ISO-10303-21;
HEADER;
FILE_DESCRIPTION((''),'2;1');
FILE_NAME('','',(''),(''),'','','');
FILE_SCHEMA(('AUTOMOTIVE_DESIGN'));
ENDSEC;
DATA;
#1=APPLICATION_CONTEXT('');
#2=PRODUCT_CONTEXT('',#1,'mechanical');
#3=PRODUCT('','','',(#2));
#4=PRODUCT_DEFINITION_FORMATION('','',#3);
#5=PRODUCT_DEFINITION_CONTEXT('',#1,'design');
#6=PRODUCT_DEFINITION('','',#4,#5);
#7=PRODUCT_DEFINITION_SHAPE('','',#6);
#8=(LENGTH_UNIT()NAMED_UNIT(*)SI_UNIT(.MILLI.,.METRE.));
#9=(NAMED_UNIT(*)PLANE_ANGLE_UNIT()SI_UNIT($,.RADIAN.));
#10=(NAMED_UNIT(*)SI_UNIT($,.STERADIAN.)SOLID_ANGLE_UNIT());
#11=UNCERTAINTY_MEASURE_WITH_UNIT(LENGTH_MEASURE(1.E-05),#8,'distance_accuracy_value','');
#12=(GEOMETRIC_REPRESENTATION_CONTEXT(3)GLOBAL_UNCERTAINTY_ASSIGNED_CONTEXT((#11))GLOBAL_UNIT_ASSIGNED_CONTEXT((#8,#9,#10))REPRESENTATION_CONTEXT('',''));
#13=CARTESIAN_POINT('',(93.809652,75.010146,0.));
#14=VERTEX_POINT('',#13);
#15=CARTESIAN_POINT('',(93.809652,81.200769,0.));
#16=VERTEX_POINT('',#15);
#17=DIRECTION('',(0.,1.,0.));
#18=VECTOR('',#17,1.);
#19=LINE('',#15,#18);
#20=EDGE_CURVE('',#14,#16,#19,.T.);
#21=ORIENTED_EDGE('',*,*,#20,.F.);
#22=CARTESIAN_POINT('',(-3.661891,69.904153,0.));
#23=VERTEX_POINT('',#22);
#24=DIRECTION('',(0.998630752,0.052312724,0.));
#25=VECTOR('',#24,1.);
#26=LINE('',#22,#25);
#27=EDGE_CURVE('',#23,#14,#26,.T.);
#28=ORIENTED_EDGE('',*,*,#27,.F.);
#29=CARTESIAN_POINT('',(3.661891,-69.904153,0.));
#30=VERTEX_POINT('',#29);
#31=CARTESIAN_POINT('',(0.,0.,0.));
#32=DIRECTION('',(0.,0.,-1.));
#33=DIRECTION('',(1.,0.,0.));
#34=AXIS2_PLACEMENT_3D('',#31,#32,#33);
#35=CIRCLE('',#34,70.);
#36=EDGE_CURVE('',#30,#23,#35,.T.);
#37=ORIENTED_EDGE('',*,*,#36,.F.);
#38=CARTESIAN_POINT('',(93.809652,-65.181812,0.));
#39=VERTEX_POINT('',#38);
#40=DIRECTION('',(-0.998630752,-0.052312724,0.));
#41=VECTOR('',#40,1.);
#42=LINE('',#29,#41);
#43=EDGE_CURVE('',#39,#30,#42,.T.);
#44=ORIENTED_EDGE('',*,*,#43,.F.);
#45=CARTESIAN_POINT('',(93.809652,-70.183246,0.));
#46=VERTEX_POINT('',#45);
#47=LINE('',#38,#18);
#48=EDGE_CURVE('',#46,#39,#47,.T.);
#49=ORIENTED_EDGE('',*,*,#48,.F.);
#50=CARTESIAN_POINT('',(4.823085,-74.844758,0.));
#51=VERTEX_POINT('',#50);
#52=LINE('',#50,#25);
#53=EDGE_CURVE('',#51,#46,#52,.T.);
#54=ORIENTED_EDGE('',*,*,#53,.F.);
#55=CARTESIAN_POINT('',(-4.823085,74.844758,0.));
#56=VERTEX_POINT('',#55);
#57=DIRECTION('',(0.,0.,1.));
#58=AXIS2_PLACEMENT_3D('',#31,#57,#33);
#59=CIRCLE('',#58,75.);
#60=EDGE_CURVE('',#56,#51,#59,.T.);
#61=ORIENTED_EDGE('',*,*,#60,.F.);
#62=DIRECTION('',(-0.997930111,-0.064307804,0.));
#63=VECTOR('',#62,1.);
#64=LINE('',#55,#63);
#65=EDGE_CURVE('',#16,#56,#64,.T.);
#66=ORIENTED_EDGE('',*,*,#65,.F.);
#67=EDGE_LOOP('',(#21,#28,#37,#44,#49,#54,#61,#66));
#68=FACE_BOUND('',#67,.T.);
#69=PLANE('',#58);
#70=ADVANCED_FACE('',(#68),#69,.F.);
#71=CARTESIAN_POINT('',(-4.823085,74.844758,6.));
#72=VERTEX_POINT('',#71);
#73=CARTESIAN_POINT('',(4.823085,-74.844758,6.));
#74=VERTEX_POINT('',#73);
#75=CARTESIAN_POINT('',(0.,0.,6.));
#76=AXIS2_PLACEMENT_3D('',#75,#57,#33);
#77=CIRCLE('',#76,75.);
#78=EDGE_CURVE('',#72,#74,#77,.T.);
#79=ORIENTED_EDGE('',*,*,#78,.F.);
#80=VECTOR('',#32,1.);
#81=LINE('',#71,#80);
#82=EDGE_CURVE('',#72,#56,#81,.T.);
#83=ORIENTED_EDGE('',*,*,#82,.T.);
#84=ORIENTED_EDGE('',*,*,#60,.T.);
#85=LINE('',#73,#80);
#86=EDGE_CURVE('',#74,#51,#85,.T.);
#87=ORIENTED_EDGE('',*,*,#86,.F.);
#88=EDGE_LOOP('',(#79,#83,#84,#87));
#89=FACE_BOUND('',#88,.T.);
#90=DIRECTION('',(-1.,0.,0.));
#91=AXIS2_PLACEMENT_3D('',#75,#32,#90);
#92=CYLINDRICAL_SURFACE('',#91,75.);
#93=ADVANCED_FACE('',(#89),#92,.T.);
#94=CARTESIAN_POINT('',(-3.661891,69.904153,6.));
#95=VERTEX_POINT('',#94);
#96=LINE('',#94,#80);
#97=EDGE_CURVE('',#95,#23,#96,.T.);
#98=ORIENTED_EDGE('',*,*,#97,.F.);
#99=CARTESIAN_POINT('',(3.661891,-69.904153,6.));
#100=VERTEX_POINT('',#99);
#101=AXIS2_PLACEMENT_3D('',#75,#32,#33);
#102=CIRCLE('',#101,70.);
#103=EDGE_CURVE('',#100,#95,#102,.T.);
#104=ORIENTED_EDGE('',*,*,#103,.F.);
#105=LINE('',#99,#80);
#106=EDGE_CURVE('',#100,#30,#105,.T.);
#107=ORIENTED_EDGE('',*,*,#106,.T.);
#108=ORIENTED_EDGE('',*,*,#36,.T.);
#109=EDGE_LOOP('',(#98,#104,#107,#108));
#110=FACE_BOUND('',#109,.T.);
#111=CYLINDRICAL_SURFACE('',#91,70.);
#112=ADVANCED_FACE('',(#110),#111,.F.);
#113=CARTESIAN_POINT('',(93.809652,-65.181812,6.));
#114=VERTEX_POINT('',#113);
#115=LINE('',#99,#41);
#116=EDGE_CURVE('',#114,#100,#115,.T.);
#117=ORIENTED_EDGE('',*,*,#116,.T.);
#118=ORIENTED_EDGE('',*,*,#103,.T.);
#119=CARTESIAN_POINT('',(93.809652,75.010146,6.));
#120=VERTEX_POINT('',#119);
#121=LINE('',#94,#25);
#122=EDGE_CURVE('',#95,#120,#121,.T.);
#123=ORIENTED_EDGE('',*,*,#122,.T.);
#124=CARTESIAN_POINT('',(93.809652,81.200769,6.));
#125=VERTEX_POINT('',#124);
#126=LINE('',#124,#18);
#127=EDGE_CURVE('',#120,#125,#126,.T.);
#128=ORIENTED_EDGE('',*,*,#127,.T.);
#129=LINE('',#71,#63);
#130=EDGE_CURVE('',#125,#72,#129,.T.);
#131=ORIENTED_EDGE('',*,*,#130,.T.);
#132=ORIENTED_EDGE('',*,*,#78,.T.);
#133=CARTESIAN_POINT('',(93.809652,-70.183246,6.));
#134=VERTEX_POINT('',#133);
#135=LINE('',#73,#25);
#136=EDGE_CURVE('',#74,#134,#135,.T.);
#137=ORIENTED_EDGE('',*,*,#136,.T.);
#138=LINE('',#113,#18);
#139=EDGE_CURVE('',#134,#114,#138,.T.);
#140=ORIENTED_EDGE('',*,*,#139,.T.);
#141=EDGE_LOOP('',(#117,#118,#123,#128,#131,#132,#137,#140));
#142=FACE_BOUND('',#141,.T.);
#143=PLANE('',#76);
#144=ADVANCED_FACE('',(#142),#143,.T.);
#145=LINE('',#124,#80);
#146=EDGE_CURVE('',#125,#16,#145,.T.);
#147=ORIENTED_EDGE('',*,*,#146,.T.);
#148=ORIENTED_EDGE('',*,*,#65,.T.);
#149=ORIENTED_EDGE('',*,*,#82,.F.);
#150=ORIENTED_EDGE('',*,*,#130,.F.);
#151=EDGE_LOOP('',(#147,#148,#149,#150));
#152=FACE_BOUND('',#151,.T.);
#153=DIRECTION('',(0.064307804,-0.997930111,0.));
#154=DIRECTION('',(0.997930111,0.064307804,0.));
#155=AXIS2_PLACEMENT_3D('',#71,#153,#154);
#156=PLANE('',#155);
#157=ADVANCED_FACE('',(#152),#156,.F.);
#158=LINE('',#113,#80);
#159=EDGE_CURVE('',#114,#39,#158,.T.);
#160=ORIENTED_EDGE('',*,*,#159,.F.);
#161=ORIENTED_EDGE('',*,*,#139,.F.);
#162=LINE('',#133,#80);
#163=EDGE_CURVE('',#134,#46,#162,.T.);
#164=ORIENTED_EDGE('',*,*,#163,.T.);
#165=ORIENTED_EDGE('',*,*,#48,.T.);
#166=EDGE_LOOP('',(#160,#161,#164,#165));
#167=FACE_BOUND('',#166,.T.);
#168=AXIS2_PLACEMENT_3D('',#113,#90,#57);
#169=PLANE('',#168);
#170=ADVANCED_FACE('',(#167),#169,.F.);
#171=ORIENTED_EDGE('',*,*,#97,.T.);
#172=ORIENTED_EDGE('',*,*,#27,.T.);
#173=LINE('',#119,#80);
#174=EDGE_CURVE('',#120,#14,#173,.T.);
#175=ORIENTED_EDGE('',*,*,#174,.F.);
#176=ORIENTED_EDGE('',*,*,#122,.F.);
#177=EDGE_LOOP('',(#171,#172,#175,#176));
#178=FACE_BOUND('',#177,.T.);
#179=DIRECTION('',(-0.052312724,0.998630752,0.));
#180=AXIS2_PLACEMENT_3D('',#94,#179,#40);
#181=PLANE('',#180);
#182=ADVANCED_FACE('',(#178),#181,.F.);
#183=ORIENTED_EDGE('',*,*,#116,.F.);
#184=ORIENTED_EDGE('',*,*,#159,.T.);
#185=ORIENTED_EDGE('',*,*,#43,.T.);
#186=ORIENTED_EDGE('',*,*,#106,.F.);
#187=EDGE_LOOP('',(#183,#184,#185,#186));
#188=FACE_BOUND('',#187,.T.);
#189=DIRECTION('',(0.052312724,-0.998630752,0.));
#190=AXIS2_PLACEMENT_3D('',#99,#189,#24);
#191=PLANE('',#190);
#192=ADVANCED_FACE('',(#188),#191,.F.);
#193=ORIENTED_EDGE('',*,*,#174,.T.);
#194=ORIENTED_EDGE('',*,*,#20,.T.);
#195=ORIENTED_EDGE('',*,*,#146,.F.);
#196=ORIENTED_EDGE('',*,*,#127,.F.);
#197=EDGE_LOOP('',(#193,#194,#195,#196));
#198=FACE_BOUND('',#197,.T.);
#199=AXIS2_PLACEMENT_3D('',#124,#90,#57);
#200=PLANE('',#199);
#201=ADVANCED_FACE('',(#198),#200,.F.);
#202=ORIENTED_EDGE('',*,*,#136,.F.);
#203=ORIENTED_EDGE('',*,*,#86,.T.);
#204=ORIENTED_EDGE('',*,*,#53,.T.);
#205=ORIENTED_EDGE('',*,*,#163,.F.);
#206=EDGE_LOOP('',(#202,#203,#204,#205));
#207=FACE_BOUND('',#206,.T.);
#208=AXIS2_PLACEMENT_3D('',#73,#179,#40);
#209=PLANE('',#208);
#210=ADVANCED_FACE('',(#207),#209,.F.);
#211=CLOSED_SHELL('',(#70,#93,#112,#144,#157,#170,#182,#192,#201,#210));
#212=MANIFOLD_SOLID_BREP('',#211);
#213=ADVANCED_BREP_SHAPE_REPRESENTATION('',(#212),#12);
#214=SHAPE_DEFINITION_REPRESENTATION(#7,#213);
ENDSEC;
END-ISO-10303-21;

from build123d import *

# Parameters (mm, degrees)
BOSS_EXTRUDE1_DEPTH = 6


with BuildPart() as part:
    # Sketch1 → Boss-Extrude1 (new body)
    with BuildSketch(Plane.XY):
        with BuildLine():
            Line((-4.823085314, 74.844758321), (93.809651912, 81.200769309))
            Line((93.809651912, 81.200769309), (93.809651912, 75.010145935))
            Line((93.809651912, 75.010145935), (-3.661890691, 69.904152642))
            ThreePointArc((-3.661890691, 69.904152642), (-69.904152642, -3.661890691), (3.661890691, -69.904152642))
            Line((3.661890691, -69.904152642), (93.809651912, -65.181811619))
            Line((93.809651912, -65.181811619), (93.809651912, -70.183245841))
            Line((93.809651912, -70.183245841), (4.823085314, -74.844758321))
            ThreePointArc((4.823085314, -74.844758321), (-74.844758321, -4.823085314), (-4.823085314, 74.844758321))
        make_face()
    extrude(amount=BOSS_EXTRUDE1_DEPTH)


solid = part.part
